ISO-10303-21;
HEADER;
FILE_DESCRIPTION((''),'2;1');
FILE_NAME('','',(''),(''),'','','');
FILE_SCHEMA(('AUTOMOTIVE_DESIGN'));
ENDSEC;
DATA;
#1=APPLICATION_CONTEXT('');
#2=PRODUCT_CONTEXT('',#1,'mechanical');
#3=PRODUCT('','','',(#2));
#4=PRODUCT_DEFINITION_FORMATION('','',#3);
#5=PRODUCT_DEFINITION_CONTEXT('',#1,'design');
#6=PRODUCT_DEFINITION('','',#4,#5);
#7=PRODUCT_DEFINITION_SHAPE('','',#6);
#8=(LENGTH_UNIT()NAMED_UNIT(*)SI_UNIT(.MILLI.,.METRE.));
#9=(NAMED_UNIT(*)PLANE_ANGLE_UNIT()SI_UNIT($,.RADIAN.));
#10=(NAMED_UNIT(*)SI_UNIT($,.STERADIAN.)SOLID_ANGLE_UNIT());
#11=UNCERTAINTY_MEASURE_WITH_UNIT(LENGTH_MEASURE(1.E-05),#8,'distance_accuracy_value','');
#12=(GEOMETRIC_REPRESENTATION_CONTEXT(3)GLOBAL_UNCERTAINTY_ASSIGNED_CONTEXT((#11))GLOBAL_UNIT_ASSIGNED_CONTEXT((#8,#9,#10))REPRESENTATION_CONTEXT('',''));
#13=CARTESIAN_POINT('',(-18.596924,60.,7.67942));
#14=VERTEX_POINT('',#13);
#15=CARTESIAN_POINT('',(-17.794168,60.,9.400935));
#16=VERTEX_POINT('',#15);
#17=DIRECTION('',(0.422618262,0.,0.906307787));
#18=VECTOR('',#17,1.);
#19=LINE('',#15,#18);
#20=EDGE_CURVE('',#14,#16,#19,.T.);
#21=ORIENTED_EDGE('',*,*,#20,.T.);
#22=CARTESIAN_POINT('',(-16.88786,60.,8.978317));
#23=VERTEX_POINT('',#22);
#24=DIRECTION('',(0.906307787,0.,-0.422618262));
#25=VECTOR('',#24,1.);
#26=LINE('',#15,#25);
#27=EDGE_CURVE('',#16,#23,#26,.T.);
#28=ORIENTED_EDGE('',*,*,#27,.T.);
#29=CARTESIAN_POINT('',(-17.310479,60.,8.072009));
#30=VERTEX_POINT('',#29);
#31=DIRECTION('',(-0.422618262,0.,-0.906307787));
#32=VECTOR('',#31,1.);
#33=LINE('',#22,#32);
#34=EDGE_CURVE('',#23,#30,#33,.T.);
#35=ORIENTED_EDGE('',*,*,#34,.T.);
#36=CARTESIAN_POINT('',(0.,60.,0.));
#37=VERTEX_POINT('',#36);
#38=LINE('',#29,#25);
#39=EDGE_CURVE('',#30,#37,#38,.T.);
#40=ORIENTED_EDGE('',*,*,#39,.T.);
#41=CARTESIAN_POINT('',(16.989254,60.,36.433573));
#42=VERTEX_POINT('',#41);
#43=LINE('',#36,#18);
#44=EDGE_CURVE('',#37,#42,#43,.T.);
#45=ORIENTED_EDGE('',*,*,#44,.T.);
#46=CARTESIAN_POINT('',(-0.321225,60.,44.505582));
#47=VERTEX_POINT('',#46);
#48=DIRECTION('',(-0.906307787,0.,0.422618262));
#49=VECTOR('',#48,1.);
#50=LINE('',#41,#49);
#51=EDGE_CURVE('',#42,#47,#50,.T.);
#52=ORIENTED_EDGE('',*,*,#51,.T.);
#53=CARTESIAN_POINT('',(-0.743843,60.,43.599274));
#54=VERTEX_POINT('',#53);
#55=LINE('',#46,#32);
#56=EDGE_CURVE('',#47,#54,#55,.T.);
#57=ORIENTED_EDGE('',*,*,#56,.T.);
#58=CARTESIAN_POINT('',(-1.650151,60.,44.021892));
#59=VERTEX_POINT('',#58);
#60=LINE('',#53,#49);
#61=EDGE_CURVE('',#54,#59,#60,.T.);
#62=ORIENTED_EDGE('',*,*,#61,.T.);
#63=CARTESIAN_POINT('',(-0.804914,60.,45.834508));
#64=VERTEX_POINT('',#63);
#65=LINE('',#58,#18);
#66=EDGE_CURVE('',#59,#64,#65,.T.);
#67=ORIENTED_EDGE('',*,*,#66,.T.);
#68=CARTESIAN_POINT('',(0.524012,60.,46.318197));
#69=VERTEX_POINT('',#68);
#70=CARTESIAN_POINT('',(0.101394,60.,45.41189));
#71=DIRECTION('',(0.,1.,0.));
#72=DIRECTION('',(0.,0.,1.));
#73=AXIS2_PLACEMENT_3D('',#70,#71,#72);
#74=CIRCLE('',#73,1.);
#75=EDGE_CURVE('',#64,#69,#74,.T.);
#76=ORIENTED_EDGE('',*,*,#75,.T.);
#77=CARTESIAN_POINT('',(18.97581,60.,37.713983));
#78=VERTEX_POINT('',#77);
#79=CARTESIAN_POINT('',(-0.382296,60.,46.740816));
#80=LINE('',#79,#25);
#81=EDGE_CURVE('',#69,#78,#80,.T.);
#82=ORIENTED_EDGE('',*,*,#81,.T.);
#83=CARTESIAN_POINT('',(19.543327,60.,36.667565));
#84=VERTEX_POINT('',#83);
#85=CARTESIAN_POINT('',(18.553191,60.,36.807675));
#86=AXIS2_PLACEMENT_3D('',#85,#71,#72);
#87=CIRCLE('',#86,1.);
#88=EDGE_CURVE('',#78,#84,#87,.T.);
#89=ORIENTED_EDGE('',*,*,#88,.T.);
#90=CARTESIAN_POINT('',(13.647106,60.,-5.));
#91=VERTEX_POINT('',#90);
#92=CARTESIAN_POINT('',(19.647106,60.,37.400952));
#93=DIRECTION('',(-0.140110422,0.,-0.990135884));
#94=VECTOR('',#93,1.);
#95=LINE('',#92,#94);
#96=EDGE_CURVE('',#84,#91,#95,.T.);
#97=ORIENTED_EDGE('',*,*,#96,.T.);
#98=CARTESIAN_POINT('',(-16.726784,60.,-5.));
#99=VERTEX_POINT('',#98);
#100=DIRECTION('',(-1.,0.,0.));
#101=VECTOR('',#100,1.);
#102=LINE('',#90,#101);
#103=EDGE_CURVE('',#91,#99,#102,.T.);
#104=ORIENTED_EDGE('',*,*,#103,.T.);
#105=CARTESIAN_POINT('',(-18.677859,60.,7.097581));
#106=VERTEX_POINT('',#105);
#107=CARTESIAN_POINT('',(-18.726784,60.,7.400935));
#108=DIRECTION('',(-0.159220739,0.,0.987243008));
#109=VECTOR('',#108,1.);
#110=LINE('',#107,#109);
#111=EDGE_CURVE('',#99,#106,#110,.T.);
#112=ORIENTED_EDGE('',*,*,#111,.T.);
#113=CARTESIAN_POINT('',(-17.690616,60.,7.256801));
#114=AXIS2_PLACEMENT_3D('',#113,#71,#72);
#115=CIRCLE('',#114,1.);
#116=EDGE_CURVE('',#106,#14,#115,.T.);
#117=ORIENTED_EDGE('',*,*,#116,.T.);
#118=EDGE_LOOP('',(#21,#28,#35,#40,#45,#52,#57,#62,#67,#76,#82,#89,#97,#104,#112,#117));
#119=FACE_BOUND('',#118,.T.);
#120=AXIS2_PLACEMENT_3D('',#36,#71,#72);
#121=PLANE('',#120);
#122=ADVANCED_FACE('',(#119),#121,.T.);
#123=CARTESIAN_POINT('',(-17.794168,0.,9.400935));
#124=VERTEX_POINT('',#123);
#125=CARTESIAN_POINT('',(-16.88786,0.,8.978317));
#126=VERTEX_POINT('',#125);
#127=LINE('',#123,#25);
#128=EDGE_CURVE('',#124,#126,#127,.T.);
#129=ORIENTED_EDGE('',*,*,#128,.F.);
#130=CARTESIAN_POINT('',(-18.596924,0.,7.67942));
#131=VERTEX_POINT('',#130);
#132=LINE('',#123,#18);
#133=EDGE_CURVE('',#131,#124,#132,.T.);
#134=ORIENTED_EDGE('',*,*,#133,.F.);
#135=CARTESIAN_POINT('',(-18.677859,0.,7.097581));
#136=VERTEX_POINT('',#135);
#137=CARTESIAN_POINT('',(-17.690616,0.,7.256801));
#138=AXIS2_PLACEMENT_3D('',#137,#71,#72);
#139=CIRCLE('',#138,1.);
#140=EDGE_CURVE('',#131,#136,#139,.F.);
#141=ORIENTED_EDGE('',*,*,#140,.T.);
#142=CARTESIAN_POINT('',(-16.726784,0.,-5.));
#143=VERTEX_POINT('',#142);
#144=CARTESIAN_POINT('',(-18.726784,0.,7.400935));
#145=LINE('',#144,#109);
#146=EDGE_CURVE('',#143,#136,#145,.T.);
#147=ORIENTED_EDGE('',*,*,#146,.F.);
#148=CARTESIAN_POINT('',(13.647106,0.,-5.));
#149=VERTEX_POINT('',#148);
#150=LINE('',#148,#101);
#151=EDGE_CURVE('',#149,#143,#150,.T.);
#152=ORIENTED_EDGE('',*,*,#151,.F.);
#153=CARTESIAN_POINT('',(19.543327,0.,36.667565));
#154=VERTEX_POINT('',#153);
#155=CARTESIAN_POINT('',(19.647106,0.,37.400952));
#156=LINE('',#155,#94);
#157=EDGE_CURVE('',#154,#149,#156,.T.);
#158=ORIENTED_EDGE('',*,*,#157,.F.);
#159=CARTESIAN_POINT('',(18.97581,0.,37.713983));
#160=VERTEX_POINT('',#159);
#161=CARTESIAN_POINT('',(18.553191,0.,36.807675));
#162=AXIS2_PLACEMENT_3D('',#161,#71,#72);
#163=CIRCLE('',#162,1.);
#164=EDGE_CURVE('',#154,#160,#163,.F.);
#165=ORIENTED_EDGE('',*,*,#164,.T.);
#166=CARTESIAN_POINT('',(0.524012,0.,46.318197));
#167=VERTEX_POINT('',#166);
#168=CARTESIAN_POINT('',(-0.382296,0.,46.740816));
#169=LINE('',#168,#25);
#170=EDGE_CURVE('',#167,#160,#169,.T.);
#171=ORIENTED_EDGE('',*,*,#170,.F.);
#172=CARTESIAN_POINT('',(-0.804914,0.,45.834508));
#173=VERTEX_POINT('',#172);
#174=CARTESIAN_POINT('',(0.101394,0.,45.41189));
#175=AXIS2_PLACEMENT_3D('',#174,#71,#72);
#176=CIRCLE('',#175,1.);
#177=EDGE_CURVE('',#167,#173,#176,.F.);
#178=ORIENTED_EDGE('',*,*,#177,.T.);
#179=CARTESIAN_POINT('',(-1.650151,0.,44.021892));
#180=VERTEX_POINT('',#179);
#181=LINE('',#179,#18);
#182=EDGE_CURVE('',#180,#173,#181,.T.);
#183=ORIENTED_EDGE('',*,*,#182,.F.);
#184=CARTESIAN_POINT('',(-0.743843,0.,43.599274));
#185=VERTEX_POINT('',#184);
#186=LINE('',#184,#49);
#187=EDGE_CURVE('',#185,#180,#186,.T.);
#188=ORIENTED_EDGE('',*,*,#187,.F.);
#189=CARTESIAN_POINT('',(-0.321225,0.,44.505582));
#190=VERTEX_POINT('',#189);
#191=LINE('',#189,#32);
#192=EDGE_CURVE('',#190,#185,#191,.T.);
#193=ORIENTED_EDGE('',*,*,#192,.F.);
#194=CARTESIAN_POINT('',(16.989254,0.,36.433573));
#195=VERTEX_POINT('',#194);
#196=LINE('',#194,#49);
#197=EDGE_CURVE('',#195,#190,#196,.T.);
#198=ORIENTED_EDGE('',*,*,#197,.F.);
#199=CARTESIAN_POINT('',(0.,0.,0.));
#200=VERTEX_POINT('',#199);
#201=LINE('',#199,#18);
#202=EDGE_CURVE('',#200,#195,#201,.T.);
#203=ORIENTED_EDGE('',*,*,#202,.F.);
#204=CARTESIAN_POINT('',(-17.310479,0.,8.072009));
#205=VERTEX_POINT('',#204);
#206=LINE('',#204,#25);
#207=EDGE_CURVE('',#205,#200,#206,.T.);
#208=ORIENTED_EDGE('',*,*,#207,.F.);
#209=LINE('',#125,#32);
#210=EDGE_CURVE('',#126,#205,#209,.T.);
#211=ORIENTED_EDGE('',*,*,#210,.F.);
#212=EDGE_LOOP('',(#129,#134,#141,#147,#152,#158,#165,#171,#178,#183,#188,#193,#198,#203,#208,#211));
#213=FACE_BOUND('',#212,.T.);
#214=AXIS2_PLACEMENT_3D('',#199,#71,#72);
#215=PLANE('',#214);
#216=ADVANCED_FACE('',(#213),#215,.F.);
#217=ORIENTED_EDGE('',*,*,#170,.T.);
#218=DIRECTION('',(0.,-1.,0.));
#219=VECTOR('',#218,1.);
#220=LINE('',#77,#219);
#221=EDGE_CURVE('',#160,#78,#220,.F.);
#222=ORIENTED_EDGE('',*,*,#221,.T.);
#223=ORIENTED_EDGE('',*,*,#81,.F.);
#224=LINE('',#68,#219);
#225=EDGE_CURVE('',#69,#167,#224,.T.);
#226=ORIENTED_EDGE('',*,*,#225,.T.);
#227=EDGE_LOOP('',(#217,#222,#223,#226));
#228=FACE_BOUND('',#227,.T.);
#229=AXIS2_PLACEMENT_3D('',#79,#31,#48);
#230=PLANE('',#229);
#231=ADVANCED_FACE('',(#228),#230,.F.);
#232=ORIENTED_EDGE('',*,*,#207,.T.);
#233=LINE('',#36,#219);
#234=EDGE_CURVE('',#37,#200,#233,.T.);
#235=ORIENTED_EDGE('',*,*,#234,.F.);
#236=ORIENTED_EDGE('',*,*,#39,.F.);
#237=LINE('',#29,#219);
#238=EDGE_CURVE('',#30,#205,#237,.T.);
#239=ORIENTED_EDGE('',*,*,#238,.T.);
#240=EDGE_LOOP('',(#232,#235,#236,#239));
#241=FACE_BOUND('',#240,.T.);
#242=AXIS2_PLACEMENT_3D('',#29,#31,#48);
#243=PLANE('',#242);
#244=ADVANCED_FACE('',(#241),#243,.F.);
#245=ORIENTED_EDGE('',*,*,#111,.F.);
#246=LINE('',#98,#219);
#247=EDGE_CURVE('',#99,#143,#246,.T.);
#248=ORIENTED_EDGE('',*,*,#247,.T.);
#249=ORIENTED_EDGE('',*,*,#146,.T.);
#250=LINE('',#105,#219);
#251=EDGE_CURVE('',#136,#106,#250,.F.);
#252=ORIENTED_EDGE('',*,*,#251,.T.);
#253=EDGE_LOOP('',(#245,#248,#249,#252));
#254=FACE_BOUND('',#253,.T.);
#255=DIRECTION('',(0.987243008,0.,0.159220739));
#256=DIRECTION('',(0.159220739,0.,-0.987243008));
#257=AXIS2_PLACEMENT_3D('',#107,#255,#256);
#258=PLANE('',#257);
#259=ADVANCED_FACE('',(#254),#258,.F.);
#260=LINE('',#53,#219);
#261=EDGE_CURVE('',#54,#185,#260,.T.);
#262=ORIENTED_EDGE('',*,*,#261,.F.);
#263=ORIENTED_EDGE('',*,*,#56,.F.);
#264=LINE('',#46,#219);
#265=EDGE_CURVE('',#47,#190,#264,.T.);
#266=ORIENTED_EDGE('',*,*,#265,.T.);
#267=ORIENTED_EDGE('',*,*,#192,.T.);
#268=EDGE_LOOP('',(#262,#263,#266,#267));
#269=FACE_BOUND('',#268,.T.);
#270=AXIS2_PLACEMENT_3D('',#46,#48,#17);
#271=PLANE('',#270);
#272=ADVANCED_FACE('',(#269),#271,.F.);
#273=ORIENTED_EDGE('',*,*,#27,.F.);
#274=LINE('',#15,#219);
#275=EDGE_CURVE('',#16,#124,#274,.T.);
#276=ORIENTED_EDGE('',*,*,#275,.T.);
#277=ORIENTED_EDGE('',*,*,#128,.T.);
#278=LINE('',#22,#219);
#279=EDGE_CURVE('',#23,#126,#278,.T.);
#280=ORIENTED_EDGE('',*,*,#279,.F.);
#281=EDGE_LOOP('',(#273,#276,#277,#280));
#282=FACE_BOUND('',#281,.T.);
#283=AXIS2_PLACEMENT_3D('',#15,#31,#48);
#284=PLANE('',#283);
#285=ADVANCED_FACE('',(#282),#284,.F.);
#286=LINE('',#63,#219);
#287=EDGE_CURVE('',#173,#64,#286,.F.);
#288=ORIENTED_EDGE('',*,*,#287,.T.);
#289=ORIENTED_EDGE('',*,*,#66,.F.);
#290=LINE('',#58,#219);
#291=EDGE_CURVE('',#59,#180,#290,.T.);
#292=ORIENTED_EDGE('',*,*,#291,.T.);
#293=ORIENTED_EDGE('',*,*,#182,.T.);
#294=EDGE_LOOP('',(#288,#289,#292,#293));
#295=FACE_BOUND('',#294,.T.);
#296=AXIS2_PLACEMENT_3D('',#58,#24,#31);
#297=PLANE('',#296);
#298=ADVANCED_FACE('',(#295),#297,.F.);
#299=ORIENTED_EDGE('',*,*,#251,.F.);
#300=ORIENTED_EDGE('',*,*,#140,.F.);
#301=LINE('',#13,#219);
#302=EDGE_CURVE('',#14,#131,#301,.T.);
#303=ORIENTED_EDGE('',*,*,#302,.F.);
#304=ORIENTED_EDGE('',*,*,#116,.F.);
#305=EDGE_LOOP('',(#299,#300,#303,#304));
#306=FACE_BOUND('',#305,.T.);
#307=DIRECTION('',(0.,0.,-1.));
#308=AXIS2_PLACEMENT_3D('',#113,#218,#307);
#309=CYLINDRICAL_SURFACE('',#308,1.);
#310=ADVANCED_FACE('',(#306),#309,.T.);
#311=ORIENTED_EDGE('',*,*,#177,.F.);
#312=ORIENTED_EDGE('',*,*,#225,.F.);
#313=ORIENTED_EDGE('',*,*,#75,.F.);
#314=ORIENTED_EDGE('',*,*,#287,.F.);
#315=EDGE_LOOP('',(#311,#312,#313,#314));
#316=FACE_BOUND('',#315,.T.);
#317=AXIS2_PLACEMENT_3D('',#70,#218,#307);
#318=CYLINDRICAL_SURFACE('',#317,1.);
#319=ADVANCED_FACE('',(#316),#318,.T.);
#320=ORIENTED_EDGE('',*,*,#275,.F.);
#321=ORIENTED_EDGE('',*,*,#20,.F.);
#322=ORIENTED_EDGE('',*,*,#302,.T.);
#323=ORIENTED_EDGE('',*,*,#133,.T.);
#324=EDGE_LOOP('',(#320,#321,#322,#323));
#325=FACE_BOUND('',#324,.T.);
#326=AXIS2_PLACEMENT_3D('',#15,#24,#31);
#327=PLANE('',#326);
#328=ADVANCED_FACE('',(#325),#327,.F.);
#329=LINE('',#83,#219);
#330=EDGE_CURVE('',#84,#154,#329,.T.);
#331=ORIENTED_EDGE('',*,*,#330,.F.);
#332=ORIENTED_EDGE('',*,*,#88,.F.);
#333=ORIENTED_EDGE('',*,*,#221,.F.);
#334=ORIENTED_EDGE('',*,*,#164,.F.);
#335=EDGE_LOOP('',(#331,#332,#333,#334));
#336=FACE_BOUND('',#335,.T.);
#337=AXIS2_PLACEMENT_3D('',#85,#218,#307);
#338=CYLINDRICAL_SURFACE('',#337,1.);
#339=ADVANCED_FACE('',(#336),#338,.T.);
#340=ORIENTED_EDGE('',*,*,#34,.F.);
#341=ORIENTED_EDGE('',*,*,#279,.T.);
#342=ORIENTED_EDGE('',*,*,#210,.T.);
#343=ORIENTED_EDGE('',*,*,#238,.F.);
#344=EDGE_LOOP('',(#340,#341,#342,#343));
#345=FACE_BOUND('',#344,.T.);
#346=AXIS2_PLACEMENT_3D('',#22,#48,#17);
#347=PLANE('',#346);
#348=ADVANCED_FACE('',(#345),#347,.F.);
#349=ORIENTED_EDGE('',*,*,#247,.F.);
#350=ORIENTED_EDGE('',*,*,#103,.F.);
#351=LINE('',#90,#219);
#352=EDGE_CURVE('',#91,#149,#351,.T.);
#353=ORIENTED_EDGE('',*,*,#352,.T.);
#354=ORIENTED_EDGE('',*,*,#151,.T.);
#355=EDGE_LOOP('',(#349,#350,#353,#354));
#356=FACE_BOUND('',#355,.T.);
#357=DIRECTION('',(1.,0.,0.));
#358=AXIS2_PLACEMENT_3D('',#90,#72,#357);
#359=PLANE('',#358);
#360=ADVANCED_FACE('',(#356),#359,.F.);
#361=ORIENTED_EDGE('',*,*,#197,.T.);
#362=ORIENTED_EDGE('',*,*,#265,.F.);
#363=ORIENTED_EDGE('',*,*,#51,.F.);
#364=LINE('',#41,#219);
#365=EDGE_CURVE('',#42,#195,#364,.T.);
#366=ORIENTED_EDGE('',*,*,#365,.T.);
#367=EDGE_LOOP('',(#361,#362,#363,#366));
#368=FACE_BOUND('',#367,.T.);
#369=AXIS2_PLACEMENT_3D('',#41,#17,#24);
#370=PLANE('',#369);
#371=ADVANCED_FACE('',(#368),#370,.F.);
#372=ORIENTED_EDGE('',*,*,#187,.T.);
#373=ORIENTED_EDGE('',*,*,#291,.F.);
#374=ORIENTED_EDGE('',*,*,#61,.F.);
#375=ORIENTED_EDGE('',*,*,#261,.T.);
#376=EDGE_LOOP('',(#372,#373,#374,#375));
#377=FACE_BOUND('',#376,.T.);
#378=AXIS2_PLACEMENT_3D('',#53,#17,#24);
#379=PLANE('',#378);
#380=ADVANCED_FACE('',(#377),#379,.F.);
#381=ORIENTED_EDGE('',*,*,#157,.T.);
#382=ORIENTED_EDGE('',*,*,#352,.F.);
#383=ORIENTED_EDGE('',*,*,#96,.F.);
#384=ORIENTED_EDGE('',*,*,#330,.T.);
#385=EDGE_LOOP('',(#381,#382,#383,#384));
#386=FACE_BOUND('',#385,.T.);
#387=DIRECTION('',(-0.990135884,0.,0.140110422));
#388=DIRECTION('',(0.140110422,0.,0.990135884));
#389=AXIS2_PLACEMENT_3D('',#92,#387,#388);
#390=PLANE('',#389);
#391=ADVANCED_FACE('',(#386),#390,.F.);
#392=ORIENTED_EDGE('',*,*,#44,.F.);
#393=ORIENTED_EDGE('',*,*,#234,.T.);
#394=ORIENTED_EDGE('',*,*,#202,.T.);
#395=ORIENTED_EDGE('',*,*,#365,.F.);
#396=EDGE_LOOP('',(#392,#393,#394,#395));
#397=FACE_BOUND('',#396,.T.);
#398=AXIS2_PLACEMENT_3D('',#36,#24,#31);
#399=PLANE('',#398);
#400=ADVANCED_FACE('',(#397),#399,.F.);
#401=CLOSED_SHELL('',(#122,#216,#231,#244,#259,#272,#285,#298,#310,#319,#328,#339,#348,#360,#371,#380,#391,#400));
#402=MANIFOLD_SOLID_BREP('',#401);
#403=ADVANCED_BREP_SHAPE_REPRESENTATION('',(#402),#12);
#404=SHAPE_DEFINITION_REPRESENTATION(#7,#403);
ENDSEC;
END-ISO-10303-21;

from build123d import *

# Parameters (mm, degrees)
BOSS_EXTRUDE1_DEPTH = 60
FILLET1_R           = 1


with BuildPart() as part:
    # Sketch2 → Boss-Extrude1 (new body)
    with BuildSketch(Plane(origin=(0, 0, 0), x_dir=(-1, 0, 0), z_dir=(0, 1, 0))):
        Polygon((0.743842872, 43.599274051), (1.650150659, 44.021892313), (0.382295874, 46.740815674), (-19.647106212, 37.400952093), (-13.647106212, -5), (16.726783574, -5), (18.726783574, 7.400934848), (17.794168258, 9.400934848), (16.887860471, 8.978316586), (17.310478732, 8.072008799), (0, 0), (-16.989254122, 36.433573039), (0.32122461, 44.505581838), align=None)
    extrude(amount=BOSS_EXTRUDE1_DEPTH)

    # Fillet1
    fillet1_edges = [part.edges().sort_by_distance(p)[0] for p in [
        (-18.726783574, 30, 7.400934848),
        (19.647106212, 30, 37.400952093),
        (-0.382295874, 30, 46.740815674),
    ]]
    fillet(fillet1_edges, radius=FILLET1_R)


solid = part.part
